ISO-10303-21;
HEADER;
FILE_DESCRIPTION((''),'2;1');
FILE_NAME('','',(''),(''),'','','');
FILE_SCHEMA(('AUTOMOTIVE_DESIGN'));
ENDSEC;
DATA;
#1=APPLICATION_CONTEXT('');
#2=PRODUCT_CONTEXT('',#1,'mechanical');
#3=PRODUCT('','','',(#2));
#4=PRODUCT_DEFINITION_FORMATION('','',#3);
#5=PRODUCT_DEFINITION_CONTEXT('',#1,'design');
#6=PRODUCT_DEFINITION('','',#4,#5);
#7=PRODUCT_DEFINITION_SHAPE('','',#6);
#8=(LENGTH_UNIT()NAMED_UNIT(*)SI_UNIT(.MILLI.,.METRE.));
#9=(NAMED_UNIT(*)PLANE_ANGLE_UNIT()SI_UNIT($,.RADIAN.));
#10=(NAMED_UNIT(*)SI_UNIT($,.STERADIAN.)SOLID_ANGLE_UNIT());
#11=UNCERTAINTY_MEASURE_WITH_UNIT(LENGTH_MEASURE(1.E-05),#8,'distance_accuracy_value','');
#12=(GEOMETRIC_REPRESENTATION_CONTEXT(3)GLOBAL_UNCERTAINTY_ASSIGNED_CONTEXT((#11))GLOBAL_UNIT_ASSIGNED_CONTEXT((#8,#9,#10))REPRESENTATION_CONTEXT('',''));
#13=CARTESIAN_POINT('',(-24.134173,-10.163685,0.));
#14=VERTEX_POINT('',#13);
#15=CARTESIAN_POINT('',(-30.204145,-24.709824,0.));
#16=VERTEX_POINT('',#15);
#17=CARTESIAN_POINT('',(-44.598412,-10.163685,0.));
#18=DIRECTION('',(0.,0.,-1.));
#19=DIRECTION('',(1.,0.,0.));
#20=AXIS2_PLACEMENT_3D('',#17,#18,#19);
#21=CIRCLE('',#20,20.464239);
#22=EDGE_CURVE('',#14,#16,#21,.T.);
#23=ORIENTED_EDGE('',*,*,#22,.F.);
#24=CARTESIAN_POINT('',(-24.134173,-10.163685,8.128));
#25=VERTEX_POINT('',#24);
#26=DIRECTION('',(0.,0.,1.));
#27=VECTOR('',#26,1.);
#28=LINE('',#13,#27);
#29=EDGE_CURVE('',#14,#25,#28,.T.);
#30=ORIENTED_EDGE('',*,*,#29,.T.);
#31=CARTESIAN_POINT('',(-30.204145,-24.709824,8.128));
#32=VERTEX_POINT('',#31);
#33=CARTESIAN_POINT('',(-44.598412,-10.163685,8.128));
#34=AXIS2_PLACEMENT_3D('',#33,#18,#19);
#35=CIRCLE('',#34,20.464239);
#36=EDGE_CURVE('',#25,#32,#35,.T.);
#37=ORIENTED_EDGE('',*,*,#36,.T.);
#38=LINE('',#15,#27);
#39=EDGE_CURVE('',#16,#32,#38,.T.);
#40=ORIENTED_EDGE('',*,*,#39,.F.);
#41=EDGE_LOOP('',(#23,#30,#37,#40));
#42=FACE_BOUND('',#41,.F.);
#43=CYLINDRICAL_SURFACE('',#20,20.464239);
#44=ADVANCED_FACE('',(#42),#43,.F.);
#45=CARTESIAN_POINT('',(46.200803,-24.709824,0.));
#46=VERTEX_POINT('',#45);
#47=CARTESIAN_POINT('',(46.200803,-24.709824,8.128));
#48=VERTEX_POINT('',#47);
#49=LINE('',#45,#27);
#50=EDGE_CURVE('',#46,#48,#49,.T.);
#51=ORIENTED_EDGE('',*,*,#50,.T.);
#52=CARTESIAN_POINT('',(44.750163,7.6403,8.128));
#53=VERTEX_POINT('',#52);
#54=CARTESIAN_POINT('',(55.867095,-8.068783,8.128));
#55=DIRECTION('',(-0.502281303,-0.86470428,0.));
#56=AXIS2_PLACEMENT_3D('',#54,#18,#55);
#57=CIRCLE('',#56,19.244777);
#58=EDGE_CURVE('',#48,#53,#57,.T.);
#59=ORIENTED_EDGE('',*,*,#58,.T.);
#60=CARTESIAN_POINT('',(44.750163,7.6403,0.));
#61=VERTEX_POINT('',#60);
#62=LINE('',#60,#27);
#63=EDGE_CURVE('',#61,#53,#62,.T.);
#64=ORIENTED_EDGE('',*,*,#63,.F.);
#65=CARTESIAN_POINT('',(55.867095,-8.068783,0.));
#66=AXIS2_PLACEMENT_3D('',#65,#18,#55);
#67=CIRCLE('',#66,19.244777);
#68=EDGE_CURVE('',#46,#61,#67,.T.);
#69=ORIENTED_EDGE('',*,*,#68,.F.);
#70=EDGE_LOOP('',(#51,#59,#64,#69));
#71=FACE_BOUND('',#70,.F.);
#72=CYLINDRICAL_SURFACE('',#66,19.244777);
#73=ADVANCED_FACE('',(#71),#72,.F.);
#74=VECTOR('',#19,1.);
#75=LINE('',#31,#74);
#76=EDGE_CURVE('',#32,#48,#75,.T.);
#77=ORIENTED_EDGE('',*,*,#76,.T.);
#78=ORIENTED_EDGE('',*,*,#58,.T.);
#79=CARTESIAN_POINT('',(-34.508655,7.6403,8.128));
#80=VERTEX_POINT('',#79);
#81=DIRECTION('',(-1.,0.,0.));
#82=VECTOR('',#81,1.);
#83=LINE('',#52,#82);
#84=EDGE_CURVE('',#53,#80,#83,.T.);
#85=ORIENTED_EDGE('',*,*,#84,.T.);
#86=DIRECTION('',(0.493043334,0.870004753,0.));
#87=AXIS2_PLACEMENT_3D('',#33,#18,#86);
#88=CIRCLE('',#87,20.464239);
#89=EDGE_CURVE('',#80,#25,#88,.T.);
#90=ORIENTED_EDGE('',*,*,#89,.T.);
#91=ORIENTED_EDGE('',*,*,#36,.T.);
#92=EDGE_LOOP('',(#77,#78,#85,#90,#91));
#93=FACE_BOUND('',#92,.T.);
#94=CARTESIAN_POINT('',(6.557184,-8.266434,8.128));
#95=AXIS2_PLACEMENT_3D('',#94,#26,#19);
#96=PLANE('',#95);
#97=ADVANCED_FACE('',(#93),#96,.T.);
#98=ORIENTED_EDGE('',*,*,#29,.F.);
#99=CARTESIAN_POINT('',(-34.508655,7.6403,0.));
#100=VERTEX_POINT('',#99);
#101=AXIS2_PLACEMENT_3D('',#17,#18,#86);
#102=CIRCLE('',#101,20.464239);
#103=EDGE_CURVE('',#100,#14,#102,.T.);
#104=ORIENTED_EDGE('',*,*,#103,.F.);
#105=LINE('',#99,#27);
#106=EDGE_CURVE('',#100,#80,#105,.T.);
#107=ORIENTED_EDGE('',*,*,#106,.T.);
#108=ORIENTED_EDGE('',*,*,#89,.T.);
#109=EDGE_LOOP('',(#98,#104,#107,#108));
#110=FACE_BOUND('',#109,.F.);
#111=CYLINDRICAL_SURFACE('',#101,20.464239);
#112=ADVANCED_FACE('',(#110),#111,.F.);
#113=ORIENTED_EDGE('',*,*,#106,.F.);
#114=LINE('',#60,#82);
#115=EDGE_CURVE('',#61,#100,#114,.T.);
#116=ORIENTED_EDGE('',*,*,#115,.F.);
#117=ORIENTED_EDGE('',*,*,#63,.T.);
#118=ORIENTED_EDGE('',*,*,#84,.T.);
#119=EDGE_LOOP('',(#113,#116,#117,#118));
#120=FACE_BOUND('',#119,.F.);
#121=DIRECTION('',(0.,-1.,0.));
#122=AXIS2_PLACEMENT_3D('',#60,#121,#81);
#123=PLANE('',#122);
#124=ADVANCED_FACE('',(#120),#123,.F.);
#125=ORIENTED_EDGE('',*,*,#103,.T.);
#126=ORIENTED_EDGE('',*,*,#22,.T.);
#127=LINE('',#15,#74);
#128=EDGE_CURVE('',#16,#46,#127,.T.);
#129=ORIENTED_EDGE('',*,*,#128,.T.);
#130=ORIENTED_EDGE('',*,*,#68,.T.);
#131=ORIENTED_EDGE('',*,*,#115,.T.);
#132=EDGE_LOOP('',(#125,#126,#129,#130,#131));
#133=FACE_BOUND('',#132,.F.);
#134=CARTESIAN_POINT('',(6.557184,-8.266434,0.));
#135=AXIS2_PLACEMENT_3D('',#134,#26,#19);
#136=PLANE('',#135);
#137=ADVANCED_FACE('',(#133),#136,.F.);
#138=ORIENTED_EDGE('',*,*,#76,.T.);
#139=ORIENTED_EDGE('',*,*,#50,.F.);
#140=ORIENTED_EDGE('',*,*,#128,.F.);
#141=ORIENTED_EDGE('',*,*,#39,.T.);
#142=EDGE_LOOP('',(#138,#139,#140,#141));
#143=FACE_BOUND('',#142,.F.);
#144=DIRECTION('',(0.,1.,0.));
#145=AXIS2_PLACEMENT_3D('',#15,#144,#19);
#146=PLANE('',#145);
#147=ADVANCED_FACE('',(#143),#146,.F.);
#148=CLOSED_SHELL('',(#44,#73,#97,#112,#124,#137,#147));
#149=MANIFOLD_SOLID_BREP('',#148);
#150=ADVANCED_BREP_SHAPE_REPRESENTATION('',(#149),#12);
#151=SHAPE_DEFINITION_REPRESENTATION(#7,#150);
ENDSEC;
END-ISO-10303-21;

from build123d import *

# Parameters (mm, degrees)
F1_DEPTH = 8.128


with BuildPart() as f1:
    # F0 (on Top) → F1 (new body)
    with BuildSketch(Plane.XY):
        with BuildLine():
            Line((44.7501632803, 7.6402998529), (-34.5086551672, 7.6402998529))
            ThreePointArc((-34.5086551672, 7.6402998529), (-26.9170053498, 0.1393697206), (-24.1341728175, -10.1636853069))
            ThreePointArc((-24.1341728175, -10.1636853069), (-25.712533615, -18.0445914867), (-30.2041451594, -24.7098244727))
            Line((-30.2041451594, -24.7098244727), (46.2008027514, -24.7098244727))
            ThreePointArc((46.2008027514, -24.7098244727), (36.6416367841, -8.9308883308), (44.7501632803, 7.6402998529))
        make_face()
    extrude(amount=F1_DEPTH)


solid = f1.part
